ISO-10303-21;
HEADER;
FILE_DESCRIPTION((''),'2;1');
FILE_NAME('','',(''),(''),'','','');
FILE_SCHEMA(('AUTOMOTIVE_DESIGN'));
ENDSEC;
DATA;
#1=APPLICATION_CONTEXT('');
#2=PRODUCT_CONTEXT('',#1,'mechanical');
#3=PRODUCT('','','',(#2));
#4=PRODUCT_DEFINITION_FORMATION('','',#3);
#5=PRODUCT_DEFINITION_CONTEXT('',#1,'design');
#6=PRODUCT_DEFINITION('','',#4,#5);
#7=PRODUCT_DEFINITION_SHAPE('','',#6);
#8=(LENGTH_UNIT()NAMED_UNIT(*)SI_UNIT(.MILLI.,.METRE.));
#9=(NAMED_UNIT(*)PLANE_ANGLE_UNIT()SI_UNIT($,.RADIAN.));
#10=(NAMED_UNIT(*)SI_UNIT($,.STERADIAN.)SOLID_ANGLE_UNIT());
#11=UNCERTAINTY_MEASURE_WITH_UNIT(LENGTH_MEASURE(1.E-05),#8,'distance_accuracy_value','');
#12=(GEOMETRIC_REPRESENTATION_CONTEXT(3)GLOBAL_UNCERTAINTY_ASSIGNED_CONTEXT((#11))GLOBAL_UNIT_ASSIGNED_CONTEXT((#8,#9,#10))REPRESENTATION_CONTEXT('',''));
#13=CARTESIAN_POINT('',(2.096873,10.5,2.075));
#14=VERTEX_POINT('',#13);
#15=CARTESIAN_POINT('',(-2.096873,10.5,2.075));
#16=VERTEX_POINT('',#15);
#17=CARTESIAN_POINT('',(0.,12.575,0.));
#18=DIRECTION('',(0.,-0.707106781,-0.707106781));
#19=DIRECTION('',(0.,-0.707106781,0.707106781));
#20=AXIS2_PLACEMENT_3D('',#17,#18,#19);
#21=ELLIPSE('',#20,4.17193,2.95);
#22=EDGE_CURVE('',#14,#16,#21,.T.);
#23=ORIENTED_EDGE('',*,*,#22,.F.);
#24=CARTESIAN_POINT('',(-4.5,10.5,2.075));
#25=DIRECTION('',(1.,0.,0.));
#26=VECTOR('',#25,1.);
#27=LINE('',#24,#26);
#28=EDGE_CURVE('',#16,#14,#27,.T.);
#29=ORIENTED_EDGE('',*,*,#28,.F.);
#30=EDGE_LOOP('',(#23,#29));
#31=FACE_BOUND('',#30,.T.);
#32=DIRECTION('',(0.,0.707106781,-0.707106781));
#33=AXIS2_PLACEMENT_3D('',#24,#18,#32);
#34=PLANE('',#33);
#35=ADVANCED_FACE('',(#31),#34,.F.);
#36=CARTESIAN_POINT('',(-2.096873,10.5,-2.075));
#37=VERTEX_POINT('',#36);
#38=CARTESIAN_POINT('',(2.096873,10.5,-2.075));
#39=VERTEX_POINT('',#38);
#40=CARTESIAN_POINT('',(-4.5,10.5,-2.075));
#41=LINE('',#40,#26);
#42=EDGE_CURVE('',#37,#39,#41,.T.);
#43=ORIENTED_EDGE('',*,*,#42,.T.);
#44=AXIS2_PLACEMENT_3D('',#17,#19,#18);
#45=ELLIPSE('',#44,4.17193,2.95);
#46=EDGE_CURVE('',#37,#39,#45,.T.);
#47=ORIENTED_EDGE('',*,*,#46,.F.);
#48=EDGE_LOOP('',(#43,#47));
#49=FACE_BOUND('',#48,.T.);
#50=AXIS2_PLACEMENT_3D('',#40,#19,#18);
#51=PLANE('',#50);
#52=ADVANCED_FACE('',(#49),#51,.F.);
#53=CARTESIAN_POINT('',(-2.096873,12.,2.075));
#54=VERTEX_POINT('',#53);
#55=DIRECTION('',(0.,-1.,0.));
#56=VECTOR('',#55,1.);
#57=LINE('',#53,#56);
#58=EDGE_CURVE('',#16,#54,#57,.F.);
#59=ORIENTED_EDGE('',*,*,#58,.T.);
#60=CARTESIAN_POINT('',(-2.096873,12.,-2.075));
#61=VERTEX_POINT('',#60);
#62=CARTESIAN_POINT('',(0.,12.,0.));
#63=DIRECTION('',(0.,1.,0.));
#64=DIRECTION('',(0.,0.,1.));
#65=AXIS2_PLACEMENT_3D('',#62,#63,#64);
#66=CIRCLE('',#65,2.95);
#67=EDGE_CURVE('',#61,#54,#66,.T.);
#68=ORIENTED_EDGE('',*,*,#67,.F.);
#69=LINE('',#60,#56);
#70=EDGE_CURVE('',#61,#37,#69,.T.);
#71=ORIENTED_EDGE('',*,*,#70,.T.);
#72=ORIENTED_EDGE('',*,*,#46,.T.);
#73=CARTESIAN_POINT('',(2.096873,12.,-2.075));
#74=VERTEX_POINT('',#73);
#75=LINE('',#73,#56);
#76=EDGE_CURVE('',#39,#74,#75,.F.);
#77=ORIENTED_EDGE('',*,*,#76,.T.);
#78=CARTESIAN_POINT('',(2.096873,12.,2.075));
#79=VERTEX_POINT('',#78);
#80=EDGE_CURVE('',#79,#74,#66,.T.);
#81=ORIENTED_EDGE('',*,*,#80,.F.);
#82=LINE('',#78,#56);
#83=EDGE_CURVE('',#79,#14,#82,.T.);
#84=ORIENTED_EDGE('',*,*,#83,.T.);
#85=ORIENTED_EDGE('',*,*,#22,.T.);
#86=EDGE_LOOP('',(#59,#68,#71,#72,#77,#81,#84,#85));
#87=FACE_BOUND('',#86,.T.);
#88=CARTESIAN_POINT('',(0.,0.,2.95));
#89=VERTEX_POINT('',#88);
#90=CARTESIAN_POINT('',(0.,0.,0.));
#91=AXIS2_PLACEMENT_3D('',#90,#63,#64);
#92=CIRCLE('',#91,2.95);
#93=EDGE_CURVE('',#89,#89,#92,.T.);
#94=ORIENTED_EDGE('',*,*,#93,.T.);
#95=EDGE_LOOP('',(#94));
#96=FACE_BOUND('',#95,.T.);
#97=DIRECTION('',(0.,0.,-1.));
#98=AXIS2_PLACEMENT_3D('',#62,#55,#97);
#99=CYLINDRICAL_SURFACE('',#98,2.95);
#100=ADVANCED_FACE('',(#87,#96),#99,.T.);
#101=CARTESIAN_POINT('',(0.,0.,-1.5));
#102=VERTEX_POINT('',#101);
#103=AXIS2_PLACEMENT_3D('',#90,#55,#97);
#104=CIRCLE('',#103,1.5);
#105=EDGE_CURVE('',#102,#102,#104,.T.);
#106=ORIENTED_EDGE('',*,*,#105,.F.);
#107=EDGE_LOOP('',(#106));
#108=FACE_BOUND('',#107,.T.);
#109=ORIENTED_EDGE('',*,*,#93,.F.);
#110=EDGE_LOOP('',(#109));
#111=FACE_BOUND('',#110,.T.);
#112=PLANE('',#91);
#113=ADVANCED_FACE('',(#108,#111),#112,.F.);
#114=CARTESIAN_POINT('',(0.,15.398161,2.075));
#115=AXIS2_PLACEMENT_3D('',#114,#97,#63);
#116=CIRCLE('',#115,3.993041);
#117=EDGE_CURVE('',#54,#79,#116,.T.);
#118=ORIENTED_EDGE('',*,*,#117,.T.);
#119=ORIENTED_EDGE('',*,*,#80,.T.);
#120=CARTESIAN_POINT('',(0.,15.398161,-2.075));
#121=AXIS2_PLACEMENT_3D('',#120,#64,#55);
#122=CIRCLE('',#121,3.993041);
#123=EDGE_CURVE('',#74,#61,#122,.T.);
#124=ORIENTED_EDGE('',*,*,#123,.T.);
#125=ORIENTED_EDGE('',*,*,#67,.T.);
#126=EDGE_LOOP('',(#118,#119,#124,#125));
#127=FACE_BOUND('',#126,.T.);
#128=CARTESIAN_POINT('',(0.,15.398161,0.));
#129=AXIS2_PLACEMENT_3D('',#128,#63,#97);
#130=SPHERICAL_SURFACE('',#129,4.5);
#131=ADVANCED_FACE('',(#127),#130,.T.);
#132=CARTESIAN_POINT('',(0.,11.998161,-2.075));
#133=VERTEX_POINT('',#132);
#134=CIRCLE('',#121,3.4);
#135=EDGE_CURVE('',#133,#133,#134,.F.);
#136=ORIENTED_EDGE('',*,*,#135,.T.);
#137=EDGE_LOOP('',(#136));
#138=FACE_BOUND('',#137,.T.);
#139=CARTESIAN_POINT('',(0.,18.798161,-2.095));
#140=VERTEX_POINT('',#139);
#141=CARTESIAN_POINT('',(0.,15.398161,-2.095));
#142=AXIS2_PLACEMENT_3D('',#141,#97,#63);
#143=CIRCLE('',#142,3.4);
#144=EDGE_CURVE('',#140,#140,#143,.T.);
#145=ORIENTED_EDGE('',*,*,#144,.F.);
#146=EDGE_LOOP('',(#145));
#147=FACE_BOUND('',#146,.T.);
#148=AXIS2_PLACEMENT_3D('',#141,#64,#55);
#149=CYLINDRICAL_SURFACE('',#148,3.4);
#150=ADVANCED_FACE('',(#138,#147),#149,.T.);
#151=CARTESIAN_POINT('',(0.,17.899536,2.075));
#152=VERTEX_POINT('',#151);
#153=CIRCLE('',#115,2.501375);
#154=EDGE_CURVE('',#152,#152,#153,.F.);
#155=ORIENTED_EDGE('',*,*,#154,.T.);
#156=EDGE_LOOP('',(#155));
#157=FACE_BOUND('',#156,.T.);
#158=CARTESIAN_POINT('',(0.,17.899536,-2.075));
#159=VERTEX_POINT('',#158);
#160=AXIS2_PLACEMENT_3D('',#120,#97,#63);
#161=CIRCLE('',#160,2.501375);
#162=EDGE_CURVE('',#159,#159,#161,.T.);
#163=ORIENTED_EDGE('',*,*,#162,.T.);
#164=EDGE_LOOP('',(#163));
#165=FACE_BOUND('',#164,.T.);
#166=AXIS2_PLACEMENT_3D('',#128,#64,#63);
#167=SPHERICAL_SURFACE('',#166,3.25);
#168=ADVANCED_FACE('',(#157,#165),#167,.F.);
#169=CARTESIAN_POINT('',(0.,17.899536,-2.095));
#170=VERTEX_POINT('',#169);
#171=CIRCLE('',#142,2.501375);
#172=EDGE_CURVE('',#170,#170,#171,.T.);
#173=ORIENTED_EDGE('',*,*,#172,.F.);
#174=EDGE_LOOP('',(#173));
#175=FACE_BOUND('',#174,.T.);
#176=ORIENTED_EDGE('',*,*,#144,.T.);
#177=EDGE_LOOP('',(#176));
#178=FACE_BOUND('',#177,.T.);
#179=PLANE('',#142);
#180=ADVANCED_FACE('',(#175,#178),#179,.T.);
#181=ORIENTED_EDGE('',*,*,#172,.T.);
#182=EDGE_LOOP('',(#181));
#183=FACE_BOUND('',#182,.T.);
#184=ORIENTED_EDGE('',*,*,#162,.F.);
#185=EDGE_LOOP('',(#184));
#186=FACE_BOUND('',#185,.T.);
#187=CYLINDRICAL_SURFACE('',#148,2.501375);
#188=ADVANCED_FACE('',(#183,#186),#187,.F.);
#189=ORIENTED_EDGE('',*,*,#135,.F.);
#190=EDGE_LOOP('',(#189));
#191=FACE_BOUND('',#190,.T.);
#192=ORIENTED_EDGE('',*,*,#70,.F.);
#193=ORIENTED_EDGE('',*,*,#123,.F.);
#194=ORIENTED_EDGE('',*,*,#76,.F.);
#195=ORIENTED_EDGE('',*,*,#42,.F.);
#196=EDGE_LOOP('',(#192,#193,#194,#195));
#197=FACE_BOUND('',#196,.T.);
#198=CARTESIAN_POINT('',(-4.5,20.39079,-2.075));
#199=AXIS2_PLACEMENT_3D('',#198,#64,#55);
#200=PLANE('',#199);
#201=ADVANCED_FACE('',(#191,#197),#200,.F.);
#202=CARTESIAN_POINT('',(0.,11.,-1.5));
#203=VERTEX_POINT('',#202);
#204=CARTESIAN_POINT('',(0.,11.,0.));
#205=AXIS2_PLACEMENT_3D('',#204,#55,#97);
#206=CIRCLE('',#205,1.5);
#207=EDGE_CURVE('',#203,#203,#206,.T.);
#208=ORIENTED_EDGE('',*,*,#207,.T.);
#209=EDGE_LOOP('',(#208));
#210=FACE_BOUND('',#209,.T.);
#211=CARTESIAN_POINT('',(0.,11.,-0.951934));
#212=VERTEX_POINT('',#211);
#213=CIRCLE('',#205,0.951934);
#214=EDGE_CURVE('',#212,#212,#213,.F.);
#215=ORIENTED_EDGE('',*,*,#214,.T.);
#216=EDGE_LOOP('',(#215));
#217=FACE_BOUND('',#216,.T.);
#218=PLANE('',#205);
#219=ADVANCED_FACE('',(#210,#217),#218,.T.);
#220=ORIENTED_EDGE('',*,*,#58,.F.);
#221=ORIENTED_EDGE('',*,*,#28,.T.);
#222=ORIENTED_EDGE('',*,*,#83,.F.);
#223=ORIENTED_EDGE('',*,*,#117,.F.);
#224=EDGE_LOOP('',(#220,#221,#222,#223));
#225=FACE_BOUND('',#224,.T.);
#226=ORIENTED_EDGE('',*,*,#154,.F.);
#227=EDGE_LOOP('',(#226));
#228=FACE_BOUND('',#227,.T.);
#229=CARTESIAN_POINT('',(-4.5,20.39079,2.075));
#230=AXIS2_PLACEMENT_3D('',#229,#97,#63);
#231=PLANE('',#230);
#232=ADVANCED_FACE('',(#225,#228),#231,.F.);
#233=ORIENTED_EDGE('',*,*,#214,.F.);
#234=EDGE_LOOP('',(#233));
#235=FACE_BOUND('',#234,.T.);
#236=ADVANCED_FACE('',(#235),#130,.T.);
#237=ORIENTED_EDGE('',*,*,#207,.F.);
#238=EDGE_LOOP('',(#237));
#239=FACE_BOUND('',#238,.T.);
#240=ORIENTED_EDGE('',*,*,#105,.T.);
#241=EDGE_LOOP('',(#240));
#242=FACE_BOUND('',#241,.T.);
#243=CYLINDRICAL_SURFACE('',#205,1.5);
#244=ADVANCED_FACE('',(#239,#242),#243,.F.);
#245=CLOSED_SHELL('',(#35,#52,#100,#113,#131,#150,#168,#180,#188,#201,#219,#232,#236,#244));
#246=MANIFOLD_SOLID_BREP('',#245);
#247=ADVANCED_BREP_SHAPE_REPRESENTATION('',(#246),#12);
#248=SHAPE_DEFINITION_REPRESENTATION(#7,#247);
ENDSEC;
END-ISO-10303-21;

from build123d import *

# Parameters (mm, degrees)
SKETCH1_R               = 2.95
BOSS_EXTRUDE1_DEPTH     = 12
SKETCH5_R               = 1.5
CUT_EXTRUDE3_DEPTH      = 11
CUT_EXTRUDE4_DEPTH      = 5.5
CUT_EXTRUDE4_DEPTH_BACK = 5.5
SKETCH12_R              = 3.400000058
SKETCH12_R_2            = 2.501374622
BOSS_EXTRUDE5_DEPTH     = 0.02


with BuildPart() as part:
    # Sketch1 → Boss-Extrude1 (new body)
    with BuildSketch(Plane(origin=(0, 0, 0), x_dir=(1, 0, 0), z_dir=(0, 1, 0))):
        Circle(SKETCH1_R)
    extrude(amount=BOSS_EXTRUDE1_DEPTH)

    # Sketch5 → Cut-Extrude3 (cut)
    with BuildSketch(Plane.XZ):
        Circle(SKETCH5_R)
    extrude(amount=-CUT_EXTRUDE3_DEPTH, mode=Mode.SUBTRACT)

    # Sketch2 → Revolve3 (revolve)
    with BuildSketch(Plane(origin=(0, 0, 0), x_dir=(0, 0, -1), z_dir=(1, 0, 0))):
        with BuildLine():
            Line((0, 19.898161268), (0, 10.898161268))
            ThreePointArc((0, 10.898161268), (4.5, 15.398161268), (0, 19.898161268))
        make_face()
    revolve(axis=Axis((0, 12, 0), (0, -1, 0)))

    # Sketch8 → Cut-Extrude4 (cut, two sides)
    with BuildSketch(Plane(origin=(0, 0, 0), x_dir=(0, 0, -1), z_dir=(1, 0, 0))) as cut_extrude4_sk:
        Polygon((-2.075, 20.390789919), (-2.075, 10.5), (-5.08, 7.495), (-5.08, 20.390789919), align=None)
        Polygon((5.08, 20.390789919), (2.075, 20.390789919), (2.075, 10.5), (5.08, 7.495), align=None)
    extrude(amount=CUT_EXTRUDE4_DEPTH, mode=Mode.SUBTRACT)
    extrude(cut_extrude4_sk.sketch, amount=-CUT_EXTRUDE4_DEPTH_BACK, mode=Mode.SUBTRACT)

    # Sketch11 → Cut-Revolve2 (revolve, cut)
    with BuildSketch(Plane(origin=(0, 0, 0), x_dir=(0, 0, -1), z_dir=(1, 0, 0))):
        with BuildLine():
            Line((-3.25, 15.398161268), (3.25, 15.398161268))
            ThreePointArc((3.25, 15.398161268), (0, 18.648161268), (-3.25, 15.398161268))
        make_face()
    revolve(axis=Axis((0, 15.398161268, 2.075), (0, 0, -1)), mode=Mode.SUBTRACT)

    # Sketch12 → Boss-Extrude5 (add)
    with BuildSketch(Plane(origin=(0, 0, -2.075), x_dir=(-1, 0, 0), z_dir=(0, 0, -1))):
        with Locations((0, 15.398161268)):
            Circle(SKETCH12_R)
        with Locations((0, 15.398161268)):
            Circle(SKETCH12_R_2, mode=Mode.SUBTRACT)
    extrude(amount=BOSS_EXTRUDE5_DEPTH)


solid = part.part
